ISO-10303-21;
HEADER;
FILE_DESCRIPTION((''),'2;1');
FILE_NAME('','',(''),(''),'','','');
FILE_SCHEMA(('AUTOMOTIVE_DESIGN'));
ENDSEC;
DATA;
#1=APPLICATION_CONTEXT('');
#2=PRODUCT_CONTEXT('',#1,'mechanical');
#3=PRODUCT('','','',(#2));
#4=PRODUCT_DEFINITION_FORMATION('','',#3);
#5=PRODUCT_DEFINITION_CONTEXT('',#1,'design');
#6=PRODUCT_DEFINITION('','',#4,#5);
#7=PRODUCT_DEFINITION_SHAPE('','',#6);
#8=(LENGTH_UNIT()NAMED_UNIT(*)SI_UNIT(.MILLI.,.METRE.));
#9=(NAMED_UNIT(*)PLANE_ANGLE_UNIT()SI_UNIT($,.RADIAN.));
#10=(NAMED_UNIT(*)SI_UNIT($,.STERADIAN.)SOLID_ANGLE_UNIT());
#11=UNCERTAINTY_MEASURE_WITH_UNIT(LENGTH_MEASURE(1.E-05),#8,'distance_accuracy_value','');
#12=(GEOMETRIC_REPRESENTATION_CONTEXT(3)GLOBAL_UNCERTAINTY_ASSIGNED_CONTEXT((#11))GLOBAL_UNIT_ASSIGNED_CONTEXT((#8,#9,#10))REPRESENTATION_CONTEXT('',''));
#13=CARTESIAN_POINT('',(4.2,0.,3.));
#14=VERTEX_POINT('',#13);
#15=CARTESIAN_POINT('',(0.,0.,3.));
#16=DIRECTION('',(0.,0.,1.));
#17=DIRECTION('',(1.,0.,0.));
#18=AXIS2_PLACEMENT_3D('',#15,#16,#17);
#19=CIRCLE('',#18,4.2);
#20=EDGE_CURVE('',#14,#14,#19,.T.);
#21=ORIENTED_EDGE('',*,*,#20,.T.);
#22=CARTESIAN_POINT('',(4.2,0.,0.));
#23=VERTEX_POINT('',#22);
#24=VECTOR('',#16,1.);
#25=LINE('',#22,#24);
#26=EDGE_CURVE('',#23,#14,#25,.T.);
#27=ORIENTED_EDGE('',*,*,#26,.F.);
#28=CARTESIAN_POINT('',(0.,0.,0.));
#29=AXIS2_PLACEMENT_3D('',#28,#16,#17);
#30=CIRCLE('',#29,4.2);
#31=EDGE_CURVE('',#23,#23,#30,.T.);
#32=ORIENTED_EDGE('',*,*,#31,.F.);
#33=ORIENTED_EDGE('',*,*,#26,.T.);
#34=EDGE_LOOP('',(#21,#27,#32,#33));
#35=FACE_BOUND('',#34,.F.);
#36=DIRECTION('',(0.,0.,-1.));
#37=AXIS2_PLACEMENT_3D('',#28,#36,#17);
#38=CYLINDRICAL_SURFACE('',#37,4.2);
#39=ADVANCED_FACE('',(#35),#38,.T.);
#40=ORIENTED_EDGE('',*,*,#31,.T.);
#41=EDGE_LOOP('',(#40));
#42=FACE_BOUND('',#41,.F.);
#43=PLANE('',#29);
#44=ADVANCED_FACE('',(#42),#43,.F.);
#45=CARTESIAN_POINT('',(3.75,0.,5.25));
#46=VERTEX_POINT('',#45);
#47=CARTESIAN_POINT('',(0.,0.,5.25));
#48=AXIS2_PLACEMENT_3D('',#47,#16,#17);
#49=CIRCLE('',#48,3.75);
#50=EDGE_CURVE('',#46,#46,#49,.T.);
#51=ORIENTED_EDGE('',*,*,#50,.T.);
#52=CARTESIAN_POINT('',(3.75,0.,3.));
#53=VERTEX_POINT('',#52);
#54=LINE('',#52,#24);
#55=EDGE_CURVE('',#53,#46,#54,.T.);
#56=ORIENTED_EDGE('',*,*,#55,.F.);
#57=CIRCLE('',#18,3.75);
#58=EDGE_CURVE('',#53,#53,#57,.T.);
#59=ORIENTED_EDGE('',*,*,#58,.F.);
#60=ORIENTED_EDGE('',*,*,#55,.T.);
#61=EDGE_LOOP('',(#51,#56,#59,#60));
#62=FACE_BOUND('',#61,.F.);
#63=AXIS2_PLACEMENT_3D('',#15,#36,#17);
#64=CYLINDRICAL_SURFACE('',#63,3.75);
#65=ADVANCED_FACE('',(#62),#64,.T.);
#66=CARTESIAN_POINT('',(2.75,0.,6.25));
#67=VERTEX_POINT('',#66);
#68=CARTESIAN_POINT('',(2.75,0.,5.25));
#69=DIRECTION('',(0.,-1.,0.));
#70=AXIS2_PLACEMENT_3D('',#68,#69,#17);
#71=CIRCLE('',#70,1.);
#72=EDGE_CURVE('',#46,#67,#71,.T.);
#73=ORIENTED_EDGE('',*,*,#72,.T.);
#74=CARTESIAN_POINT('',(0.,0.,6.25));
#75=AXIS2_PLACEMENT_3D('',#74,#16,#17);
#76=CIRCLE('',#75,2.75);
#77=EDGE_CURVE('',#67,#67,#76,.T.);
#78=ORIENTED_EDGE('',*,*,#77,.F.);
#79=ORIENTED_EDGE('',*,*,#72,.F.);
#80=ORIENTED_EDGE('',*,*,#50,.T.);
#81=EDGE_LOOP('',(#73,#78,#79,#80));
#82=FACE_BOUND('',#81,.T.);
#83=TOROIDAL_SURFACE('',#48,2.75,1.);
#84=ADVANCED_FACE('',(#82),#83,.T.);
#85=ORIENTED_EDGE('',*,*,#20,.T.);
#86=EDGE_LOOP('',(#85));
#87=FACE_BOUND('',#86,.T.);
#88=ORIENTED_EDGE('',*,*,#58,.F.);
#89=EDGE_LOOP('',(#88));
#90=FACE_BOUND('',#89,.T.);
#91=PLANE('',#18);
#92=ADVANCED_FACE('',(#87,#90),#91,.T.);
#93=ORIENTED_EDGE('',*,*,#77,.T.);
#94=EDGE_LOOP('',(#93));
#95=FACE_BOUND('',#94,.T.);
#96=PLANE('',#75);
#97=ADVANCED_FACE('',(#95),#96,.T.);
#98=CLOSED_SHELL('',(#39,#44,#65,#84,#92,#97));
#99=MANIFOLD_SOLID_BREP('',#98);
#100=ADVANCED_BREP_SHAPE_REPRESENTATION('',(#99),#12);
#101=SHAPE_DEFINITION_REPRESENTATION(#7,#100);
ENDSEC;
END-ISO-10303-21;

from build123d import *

# Parameters (mm, degrees)
SKETCH_R     = 4.2
PAD_DEPTH    = 3
SKETCH001_R  = 3.75
PAD001_DEPTH = 3.25
FILLET_R     = 1


with BuildPart() as part:
    # Sketch → Pad (new body)
    with BuildSketch(Plane.XY):
        Circle(SKETCH_R)
    extrude(amount=PAD_DEPTH)

    # Sketch001 (on Face3 of Pad) → Pad001 (join)
    with BuildSketch(Plane.XY.offset(3)):
        Circle(SKETCH001_R)
    extrude(amount=PAD001_DEPTH)

    # Fillet
    fillet_edges = [part.edges().sort_by_distance(p)[0] for p in [
        (-3.75, 0, 6.25),
    ]]
    fillet(fillet_edges, radius=FILLET_R)


solid = part.part
